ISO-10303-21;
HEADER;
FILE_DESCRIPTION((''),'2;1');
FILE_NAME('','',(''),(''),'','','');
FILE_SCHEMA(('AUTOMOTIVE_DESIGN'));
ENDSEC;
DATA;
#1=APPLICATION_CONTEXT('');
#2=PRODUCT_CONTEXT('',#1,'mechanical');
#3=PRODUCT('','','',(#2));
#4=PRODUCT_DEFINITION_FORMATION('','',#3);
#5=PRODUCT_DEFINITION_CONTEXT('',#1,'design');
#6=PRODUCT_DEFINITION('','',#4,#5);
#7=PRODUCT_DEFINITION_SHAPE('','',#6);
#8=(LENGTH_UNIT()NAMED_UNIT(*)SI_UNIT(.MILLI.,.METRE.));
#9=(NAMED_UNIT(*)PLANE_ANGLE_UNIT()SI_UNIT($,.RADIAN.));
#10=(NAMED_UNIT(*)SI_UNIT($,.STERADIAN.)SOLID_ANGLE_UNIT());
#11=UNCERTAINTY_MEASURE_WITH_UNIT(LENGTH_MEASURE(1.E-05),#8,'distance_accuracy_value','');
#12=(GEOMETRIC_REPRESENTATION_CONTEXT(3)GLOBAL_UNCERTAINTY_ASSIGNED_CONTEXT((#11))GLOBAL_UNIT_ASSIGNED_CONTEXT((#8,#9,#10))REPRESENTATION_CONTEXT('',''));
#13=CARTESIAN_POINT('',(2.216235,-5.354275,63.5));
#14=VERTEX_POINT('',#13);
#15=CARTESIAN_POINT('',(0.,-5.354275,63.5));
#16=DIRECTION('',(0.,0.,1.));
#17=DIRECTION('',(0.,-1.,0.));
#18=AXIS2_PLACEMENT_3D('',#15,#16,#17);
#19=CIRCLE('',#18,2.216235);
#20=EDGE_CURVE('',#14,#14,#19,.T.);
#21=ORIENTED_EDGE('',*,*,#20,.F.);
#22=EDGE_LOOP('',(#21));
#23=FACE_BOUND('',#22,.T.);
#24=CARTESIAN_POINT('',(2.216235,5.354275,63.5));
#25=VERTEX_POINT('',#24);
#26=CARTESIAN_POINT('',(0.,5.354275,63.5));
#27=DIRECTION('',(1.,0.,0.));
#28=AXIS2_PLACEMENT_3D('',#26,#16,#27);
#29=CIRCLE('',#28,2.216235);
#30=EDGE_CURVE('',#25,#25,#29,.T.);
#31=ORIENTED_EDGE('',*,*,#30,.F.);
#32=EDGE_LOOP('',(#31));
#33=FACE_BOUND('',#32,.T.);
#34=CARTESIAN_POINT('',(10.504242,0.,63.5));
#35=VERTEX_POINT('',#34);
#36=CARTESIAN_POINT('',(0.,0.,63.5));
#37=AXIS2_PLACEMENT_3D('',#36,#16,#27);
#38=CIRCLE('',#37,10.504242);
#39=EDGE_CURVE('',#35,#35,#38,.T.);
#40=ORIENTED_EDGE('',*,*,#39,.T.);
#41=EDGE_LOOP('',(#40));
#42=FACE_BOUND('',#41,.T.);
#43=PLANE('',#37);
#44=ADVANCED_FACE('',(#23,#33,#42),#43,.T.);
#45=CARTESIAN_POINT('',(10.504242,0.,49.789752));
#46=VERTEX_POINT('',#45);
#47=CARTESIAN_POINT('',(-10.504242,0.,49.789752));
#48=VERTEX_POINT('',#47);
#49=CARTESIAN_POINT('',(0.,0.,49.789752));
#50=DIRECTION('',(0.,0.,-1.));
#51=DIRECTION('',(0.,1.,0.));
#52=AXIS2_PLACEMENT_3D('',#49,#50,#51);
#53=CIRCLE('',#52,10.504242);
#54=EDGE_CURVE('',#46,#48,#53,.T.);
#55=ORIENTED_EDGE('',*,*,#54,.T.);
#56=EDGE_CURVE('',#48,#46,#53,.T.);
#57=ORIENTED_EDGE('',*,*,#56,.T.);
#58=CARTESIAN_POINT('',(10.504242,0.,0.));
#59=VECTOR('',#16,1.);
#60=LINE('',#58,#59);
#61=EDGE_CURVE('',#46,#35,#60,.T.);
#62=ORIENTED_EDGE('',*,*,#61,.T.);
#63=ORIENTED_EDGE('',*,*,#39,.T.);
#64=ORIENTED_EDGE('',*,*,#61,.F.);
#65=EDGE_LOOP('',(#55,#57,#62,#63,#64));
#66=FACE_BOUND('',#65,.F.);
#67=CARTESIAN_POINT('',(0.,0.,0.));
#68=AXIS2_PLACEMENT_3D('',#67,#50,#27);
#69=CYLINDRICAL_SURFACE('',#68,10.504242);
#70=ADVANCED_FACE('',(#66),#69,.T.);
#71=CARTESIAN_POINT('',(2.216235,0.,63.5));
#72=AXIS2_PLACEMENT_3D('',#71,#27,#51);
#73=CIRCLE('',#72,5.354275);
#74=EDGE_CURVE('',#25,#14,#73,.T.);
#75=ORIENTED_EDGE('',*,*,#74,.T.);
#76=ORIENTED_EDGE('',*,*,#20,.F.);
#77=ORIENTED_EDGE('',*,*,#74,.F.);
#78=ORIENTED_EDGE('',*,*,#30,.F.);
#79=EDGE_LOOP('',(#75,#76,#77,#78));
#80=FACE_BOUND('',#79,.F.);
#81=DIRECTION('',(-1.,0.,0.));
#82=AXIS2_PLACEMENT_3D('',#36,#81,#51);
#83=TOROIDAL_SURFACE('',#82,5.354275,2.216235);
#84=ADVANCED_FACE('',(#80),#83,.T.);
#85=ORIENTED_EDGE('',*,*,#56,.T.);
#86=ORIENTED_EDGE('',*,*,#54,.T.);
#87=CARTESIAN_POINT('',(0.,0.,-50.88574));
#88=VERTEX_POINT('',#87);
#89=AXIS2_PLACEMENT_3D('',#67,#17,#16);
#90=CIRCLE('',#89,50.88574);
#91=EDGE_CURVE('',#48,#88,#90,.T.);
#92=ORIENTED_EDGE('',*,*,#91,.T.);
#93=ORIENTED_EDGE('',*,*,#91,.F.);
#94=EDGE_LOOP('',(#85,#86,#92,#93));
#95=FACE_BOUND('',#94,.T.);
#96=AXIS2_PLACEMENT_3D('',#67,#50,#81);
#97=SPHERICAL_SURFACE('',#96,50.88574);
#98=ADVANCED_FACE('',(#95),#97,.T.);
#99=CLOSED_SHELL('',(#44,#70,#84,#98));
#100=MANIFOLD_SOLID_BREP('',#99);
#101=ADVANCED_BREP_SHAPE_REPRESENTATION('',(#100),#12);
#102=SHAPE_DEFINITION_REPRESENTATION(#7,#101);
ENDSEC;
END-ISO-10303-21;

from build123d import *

# Parameters (mm, degrees)
F2_R     = 10.504242
F3_DEPTH = 63.5
F4_R     = 2.216235


with BuildPart() as f1:
    # F0 (on Front) → F1 (revolve)
    with BuildSketch(Plane.XZ):
        with BuildLine():
            Line((0, -50.88574), (0, 50.88574))
            ThreePointArc((0, 50.88574), (-50.88574, 0), (0, -50.88574))
        make_face()
    revolve(axis=Axis((0, 0, 0), (0, 0, -1)))

    # F2 (on Top) → F3 (join)
    with BuildSketch(Plane.XY):
        Circle(F2_R)
    extrude(amount=F3_DEPTH)

    # F4 (on face) → F5 (revolve)
    with BuildSketch(Plane.XY.offset(63.5)):
        with Locations((0, 5.354275)):
            Circle(F4_R)
    revolve(axis=Axis((-0.112007, 0, 63.5), (1, 0, 0)))


solid = f1.part
